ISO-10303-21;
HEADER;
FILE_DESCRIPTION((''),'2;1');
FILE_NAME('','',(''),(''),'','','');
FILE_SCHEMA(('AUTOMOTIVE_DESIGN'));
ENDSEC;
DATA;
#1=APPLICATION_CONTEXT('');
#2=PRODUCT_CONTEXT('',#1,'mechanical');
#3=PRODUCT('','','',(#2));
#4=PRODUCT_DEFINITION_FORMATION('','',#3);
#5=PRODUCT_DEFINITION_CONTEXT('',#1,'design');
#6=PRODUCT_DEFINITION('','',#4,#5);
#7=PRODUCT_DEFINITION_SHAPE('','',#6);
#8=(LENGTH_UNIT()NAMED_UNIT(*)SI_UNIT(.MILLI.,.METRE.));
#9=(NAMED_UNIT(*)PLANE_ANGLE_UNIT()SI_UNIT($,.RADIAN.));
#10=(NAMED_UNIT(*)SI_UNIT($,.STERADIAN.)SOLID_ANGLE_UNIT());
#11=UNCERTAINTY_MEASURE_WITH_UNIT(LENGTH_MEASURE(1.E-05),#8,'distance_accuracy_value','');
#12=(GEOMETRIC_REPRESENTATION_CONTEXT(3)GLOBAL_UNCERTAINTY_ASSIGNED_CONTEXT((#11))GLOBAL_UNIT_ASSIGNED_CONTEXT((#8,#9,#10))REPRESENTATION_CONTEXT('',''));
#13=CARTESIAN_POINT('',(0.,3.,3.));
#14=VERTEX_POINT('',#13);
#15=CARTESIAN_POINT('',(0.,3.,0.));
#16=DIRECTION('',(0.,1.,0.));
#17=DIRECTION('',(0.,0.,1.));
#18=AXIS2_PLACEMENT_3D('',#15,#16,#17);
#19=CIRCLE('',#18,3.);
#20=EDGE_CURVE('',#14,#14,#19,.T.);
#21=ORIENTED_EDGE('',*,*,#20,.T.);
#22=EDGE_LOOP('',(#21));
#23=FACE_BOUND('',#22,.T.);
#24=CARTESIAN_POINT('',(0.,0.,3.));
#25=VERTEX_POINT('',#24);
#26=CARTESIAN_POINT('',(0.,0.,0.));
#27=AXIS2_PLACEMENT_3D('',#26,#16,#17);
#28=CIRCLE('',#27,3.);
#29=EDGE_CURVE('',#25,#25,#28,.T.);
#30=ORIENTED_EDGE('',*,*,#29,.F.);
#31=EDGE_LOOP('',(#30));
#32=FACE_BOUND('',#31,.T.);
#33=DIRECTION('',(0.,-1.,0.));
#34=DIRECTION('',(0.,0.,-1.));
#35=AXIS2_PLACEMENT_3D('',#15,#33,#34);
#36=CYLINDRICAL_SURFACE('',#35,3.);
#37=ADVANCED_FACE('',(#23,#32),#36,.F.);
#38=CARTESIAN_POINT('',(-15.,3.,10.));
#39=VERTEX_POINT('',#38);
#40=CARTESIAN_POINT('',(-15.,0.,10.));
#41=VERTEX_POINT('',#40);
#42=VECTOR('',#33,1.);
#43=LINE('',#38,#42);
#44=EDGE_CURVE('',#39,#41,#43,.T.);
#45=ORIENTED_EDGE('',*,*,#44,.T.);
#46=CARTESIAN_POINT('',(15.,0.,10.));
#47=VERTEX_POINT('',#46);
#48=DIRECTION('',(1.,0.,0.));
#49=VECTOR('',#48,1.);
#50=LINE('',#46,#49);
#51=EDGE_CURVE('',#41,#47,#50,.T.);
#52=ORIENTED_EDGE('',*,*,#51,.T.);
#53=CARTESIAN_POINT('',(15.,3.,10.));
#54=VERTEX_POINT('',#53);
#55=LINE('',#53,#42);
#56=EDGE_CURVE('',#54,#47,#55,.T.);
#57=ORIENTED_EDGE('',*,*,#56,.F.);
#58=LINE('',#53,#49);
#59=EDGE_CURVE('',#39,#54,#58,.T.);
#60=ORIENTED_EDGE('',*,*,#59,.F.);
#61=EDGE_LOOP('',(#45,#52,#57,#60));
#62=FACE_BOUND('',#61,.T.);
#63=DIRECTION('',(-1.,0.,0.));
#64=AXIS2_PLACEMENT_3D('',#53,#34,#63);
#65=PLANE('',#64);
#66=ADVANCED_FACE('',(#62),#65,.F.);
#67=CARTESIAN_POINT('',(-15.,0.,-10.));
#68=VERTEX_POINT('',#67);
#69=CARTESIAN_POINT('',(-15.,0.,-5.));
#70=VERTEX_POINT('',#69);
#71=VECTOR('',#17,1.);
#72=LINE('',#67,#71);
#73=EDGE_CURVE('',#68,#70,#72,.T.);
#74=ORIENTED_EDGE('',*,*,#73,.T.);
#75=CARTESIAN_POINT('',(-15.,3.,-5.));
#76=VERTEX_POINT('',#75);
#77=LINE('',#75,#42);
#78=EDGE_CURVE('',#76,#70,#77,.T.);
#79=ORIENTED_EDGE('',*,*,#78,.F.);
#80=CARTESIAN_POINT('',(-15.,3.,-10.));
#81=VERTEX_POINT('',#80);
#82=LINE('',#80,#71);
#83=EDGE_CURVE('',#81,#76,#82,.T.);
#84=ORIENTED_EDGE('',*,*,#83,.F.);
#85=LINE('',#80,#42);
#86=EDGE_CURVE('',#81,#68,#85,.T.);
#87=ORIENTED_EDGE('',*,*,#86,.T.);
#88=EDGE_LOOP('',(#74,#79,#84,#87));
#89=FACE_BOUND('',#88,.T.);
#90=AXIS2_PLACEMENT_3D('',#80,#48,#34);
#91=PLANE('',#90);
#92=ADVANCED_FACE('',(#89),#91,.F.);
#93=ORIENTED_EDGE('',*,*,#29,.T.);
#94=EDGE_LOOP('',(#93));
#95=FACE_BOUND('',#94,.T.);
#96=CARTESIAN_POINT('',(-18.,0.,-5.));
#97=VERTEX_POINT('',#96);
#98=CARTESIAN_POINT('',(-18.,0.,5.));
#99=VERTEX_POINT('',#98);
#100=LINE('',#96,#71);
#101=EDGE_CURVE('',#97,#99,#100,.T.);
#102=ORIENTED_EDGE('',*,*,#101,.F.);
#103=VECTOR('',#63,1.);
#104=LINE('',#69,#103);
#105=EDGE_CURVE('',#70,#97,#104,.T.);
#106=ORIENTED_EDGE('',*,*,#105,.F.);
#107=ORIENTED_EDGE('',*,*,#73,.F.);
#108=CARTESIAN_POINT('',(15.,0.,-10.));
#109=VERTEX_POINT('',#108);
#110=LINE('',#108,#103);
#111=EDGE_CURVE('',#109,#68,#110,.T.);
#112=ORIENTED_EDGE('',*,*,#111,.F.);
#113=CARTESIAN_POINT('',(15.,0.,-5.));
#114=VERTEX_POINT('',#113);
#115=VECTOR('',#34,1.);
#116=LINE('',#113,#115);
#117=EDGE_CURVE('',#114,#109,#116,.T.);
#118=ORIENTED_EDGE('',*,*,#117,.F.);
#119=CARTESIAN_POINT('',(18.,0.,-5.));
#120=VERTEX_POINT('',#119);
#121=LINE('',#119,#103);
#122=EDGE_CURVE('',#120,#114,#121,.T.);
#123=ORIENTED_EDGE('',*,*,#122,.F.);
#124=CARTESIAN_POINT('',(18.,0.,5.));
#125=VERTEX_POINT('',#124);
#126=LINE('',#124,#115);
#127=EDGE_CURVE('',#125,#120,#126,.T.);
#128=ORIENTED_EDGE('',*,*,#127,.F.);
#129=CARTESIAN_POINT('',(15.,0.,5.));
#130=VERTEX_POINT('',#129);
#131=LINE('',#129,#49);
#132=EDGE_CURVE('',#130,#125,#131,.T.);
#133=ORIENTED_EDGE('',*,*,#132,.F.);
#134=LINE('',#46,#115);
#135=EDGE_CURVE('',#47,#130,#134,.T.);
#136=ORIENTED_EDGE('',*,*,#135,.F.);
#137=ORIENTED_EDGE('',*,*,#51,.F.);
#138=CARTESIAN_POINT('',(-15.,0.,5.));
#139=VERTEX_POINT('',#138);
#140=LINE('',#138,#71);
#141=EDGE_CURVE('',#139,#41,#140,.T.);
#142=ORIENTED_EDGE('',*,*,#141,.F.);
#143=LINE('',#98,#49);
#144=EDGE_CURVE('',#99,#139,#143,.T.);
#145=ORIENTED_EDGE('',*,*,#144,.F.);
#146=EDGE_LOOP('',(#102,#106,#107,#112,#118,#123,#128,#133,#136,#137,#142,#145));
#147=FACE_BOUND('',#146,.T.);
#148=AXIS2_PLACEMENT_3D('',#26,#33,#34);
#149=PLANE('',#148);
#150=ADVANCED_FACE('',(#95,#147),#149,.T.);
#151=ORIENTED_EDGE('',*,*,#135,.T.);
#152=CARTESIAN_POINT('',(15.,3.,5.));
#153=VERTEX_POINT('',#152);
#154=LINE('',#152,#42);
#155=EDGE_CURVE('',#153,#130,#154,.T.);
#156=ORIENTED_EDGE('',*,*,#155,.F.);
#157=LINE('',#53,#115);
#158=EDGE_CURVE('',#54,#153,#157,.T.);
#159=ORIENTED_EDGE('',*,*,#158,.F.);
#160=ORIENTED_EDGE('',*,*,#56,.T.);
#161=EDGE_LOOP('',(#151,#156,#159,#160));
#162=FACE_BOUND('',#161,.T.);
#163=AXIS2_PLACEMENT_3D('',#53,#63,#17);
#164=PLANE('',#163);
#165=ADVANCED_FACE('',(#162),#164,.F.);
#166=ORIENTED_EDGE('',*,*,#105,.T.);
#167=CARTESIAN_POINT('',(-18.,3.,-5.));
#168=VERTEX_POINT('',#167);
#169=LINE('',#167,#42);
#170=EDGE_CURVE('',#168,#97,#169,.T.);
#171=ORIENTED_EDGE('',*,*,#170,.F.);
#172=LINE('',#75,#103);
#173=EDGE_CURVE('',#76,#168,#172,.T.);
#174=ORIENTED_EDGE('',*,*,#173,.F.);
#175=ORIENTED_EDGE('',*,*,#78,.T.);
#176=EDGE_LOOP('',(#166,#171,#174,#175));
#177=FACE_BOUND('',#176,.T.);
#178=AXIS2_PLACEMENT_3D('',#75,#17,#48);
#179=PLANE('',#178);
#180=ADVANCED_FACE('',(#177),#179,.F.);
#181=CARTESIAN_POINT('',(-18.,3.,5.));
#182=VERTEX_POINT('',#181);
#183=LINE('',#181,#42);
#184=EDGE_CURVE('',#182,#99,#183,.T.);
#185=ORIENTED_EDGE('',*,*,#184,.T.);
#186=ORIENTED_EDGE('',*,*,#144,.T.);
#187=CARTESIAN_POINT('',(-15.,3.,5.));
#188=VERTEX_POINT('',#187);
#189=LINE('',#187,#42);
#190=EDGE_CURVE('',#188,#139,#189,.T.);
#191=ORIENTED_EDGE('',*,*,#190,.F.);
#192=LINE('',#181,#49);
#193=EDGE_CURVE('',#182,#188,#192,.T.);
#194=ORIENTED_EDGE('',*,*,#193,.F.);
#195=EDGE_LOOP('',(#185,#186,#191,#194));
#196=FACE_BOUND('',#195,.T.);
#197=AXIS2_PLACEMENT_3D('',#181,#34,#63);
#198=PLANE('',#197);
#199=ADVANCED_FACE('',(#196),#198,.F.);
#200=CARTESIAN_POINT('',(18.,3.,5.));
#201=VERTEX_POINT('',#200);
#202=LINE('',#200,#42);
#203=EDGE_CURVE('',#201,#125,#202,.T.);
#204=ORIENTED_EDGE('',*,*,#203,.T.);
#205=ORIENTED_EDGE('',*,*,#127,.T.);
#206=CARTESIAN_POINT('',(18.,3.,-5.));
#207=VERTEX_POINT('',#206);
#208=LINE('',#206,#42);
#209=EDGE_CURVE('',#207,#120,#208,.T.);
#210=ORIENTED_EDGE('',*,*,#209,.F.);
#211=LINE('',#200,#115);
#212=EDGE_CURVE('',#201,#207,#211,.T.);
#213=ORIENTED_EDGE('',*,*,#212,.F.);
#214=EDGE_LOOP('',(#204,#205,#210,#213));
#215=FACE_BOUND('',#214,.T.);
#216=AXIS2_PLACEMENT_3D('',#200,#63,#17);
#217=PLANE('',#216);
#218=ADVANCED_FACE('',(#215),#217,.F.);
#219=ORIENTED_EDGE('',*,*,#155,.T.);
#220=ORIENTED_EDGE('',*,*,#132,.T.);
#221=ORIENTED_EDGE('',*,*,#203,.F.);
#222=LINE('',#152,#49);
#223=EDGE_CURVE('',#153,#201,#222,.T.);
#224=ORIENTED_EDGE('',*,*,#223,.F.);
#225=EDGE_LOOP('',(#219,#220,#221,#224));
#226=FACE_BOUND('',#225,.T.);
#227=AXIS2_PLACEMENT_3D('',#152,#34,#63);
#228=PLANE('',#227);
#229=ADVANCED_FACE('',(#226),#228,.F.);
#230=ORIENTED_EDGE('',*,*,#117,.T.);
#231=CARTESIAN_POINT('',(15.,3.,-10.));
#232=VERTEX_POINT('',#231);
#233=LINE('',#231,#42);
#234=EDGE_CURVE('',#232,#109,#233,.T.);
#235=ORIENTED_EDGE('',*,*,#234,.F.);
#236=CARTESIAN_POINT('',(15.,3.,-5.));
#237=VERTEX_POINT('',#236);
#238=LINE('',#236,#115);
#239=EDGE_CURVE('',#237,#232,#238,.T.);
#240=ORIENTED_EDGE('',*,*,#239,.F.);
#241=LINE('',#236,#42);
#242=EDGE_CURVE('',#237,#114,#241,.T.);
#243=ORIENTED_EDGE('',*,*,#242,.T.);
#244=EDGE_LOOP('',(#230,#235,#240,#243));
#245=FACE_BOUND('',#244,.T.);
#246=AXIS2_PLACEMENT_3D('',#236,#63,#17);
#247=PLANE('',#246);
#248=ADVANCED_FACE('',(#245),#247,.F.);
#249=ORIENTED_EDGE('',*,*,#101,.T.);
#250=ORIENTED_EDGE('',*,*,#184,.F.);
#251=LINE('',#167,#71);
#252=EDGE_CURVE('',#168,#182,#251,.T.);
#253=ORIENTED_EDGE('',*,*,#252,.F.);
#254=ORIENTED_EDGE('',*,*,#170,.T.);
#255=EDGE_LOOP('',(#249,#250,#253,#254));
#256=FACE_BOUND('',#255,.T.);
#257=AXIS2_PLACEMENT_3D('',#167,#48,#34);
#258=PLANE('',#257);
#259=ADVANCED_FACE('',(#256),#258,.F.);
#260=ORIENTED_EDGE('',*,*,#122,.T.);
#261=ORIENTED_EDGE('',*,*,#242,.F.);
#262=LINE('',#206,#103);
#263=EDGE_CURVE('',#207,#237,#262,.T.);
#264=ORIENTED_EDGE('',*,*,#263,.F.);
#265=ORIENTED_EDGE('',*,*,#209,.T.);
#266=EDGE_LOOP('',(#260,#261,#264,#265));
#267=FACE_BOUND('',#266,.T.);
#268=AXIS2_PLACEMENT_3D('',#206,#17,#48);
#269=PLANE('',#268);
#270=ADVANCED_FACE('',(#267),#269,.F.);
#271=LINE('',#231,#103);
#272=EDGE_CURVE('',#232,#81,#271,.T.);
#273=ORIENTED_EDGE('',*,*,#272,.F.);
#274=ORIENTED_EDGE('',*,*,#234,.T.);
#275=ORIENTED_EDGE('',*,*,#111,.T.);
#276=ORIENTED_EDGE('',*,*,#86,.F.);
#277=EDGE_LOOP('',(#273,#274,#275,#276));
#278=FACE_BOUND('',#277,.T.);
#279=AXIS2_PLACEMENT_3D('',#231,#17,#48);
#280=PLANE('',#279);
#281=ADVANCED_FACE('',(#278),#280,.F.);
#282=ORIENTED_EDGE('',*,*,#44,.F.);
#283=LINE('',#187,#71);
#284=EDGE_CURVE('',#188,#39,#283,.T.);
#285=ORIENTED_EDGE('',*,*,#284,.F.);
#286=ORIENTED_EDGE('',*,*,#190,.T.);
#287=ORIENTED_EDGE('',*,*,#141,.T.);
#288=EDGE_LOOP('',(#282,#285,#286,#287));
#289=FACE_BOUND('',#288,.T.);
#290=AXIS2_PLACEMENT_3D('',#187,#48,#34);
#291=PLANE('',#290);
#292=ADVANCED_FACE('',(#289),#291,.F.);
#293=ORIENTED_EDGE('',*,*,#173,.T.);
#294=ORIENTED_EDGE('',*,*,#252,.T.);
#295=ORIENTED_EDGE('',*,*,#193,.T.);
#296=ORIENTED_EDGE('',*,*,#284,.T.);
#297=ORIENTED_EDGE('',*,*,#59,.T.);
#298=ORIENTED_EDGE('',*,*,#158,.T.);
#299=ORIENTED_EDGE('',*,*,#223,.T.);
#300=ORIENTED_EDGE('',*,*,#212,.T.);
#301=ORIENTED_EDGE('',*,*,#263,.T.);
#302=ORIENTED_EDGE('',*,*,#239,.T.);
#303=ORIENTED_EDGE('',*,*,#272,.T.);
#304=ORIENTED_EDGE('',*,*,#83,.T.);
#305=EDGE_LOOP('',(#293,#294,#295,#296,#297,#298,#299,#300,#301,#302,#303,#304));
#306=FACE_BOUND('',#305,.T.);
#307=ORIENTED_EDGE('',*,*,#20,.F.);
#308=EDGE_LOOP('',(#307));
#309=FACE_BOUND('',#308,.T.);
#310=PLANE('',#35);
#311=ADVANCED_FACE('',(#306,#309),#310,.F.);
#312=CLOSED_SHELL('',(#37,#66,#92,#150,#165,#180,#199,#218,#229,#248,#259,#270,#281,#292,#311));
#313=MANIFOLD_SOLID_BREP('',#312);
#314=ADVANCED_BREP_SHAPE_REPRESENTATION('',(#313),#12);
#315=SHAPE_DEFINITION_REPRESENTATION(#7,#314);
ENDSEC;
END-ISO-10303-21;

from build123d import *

# Parameters (mm, degrees)
SKETCH1_R           = 3
BOSS_EXTRUDE1_DEPTH = 3


with BuildPart() as part:
    # Sketch1 → Boss-Extrude1 (new body)
    with BuildSketch(Plane(origin=(0, 0, 0), x_dir=(1, 0, 0), z_dir=(0, 1, 0))):
        Polygon((-15, 10), (-15, 5), (-18, 5), (-18, -5), (-15, -5), (-15, -10), (15, -10), (15, -5), (18, -5), (18, 5), (15, 5), (15, 10), align=None)
        Circle(SKETCH1_R, mode=Mode.SUBTRACT)
    extrude(amount=BOSS_EXTRUDE1_DEPTH)


solid = part.part
